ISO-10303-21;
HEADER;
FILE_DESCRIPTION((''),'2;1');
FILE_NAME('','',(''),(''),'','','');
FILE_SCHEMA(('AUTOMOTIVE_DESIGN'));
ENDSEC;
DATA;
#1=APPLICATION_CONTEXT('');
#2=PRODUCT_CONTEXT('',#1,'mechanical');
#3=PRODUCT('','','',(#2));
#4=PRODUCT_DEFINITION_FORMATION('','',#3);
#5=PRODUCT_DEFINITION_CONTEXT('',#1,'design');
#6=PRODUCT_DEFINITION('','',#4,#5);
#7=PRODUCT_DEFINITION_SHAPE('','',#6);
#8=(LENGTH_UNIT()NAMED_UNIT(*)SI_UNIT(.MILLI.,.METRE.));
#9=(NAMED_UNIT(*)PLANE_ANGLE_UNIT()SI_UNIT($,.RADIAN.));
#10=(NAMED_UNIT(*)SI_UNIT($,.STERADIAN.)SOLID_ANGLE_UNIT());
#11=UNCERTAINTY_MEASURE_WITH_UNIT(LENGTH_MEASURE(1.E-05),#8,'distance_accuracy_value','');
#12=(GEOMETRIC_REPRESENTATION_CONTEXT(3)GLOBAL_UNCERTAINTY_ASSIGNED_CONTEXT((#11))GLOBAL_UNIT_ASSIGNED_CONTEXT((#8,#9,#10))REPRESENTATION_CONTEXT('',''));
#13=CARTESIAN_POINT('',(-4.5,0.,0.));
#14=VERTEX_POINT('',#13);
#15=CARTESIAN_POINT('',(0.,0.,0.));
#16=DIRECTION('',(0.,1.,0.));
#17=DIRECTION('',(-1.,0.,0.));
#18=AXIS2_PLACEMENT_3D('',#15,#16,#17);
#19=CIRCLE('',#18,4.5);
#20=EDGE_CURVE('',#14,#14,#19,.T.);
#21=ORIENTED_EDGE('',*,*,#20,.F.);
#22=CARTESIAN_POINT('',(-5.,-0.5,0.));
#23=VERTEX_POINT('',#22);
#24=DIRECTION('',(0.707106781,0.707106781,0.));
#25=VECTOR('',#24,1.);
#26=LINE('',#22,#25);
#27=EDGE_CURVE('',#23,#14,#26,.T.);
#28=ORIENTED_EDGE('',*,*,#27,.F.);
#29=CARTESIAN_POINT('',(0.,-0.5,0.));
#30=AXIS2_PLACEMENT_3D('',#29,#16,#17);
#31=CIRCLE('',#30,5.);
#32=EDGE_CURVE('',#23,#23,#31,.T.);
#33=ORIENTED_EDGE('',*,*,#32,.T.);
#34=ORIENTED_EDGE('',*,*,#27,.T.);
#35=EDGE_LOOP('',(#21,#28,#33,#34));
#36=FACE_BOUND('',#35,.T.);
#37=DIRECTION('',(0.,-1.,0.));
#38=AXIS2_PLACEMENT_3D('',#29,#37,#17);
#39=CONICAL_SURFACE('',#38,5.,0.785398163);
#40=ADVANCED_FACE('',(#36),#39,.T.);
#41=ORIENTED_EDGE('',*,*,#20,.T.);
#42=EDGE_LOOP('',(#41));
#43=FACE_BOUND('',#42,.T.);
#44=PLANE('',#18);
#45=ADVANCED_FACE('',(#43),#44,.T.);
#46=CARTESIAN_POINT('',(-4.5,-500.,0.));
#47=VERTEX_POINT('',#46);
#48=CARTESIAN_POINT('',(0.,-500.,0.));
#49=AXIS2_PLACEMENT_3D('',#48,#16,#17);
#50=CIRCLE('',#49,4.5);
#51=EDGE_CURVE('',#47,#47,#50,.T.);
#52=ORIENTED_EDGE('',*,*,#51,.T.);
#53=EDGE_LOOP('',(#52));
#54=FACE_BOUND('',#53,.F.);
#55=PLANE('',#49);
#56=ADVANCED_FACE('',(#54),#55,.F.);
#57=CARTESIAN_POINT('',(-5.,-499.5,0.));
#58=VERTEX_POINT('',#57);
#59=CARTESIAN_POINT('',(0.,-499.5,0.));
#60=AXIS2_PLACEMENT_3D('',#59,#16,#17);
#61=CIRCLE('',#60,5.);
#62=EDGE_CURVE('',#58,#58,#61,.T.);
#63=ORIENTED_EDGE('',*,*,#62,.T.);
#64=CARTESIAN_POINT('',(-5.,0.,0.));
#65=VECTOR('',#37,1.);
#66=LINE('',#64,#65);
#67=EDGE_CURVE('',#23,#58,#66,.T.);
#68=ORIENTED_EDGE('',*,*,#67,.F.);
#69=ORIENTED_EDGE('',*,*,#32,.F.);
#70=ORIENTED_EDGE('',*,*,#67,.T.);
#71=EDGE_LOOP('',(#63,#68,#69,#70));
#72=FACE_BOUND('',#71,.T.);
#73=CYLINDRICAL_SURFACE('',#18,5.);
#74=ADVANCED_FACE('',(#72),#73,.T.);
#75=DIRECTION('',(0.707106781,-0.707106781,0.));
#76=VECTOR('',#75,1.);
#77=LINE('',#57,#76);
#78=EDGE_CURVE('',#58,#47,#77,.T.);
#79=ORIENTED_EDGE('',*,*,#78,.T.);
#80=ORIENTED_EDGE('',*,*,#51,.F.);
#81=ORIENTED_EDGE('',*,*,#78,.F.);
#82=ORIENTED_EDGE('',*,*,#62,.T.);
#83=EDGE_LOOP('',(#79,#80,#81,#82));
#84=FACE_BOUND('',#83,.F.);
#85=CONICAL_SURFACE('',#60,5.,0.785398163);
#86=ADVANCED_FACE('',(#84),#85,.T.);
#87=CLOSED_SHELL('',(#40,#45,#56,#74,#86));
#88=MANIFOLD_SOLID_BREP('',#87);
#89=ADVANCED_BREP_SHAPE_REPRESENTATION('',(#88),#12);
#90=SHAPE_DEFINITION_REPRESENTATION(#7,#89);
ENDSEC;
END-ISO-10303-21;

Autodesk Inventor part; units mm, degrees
ref_plane "YZ Plane" through (0, 0, 0) normal (1, 0, 0) x (0, 1, 0)
ref_plane "XZ Plane" through (0, 0, 0) normal (0, 1, 0) x (-1, 0, 0)
ref_plane "XY Plane" through (0, 0, 0) normal (0, 0, 1) x (1, 0, 0)
sketch "Sketch1" plane through (0, 0, 0) normal (0, 1, 0) x (-1, 0, 0)
  circle A0 centre (0, 0) radius 5
  dimension "d0" = 10
extrude "Extrusion1" add sketch "Sketch1" against normal blind 500
chamfer "Chamfer1" distance 0.5 angle 45 2 edges at (5, 0, 0) (5, -500, 0)
properties part number "fc18-102" material "Stainless Steel"
